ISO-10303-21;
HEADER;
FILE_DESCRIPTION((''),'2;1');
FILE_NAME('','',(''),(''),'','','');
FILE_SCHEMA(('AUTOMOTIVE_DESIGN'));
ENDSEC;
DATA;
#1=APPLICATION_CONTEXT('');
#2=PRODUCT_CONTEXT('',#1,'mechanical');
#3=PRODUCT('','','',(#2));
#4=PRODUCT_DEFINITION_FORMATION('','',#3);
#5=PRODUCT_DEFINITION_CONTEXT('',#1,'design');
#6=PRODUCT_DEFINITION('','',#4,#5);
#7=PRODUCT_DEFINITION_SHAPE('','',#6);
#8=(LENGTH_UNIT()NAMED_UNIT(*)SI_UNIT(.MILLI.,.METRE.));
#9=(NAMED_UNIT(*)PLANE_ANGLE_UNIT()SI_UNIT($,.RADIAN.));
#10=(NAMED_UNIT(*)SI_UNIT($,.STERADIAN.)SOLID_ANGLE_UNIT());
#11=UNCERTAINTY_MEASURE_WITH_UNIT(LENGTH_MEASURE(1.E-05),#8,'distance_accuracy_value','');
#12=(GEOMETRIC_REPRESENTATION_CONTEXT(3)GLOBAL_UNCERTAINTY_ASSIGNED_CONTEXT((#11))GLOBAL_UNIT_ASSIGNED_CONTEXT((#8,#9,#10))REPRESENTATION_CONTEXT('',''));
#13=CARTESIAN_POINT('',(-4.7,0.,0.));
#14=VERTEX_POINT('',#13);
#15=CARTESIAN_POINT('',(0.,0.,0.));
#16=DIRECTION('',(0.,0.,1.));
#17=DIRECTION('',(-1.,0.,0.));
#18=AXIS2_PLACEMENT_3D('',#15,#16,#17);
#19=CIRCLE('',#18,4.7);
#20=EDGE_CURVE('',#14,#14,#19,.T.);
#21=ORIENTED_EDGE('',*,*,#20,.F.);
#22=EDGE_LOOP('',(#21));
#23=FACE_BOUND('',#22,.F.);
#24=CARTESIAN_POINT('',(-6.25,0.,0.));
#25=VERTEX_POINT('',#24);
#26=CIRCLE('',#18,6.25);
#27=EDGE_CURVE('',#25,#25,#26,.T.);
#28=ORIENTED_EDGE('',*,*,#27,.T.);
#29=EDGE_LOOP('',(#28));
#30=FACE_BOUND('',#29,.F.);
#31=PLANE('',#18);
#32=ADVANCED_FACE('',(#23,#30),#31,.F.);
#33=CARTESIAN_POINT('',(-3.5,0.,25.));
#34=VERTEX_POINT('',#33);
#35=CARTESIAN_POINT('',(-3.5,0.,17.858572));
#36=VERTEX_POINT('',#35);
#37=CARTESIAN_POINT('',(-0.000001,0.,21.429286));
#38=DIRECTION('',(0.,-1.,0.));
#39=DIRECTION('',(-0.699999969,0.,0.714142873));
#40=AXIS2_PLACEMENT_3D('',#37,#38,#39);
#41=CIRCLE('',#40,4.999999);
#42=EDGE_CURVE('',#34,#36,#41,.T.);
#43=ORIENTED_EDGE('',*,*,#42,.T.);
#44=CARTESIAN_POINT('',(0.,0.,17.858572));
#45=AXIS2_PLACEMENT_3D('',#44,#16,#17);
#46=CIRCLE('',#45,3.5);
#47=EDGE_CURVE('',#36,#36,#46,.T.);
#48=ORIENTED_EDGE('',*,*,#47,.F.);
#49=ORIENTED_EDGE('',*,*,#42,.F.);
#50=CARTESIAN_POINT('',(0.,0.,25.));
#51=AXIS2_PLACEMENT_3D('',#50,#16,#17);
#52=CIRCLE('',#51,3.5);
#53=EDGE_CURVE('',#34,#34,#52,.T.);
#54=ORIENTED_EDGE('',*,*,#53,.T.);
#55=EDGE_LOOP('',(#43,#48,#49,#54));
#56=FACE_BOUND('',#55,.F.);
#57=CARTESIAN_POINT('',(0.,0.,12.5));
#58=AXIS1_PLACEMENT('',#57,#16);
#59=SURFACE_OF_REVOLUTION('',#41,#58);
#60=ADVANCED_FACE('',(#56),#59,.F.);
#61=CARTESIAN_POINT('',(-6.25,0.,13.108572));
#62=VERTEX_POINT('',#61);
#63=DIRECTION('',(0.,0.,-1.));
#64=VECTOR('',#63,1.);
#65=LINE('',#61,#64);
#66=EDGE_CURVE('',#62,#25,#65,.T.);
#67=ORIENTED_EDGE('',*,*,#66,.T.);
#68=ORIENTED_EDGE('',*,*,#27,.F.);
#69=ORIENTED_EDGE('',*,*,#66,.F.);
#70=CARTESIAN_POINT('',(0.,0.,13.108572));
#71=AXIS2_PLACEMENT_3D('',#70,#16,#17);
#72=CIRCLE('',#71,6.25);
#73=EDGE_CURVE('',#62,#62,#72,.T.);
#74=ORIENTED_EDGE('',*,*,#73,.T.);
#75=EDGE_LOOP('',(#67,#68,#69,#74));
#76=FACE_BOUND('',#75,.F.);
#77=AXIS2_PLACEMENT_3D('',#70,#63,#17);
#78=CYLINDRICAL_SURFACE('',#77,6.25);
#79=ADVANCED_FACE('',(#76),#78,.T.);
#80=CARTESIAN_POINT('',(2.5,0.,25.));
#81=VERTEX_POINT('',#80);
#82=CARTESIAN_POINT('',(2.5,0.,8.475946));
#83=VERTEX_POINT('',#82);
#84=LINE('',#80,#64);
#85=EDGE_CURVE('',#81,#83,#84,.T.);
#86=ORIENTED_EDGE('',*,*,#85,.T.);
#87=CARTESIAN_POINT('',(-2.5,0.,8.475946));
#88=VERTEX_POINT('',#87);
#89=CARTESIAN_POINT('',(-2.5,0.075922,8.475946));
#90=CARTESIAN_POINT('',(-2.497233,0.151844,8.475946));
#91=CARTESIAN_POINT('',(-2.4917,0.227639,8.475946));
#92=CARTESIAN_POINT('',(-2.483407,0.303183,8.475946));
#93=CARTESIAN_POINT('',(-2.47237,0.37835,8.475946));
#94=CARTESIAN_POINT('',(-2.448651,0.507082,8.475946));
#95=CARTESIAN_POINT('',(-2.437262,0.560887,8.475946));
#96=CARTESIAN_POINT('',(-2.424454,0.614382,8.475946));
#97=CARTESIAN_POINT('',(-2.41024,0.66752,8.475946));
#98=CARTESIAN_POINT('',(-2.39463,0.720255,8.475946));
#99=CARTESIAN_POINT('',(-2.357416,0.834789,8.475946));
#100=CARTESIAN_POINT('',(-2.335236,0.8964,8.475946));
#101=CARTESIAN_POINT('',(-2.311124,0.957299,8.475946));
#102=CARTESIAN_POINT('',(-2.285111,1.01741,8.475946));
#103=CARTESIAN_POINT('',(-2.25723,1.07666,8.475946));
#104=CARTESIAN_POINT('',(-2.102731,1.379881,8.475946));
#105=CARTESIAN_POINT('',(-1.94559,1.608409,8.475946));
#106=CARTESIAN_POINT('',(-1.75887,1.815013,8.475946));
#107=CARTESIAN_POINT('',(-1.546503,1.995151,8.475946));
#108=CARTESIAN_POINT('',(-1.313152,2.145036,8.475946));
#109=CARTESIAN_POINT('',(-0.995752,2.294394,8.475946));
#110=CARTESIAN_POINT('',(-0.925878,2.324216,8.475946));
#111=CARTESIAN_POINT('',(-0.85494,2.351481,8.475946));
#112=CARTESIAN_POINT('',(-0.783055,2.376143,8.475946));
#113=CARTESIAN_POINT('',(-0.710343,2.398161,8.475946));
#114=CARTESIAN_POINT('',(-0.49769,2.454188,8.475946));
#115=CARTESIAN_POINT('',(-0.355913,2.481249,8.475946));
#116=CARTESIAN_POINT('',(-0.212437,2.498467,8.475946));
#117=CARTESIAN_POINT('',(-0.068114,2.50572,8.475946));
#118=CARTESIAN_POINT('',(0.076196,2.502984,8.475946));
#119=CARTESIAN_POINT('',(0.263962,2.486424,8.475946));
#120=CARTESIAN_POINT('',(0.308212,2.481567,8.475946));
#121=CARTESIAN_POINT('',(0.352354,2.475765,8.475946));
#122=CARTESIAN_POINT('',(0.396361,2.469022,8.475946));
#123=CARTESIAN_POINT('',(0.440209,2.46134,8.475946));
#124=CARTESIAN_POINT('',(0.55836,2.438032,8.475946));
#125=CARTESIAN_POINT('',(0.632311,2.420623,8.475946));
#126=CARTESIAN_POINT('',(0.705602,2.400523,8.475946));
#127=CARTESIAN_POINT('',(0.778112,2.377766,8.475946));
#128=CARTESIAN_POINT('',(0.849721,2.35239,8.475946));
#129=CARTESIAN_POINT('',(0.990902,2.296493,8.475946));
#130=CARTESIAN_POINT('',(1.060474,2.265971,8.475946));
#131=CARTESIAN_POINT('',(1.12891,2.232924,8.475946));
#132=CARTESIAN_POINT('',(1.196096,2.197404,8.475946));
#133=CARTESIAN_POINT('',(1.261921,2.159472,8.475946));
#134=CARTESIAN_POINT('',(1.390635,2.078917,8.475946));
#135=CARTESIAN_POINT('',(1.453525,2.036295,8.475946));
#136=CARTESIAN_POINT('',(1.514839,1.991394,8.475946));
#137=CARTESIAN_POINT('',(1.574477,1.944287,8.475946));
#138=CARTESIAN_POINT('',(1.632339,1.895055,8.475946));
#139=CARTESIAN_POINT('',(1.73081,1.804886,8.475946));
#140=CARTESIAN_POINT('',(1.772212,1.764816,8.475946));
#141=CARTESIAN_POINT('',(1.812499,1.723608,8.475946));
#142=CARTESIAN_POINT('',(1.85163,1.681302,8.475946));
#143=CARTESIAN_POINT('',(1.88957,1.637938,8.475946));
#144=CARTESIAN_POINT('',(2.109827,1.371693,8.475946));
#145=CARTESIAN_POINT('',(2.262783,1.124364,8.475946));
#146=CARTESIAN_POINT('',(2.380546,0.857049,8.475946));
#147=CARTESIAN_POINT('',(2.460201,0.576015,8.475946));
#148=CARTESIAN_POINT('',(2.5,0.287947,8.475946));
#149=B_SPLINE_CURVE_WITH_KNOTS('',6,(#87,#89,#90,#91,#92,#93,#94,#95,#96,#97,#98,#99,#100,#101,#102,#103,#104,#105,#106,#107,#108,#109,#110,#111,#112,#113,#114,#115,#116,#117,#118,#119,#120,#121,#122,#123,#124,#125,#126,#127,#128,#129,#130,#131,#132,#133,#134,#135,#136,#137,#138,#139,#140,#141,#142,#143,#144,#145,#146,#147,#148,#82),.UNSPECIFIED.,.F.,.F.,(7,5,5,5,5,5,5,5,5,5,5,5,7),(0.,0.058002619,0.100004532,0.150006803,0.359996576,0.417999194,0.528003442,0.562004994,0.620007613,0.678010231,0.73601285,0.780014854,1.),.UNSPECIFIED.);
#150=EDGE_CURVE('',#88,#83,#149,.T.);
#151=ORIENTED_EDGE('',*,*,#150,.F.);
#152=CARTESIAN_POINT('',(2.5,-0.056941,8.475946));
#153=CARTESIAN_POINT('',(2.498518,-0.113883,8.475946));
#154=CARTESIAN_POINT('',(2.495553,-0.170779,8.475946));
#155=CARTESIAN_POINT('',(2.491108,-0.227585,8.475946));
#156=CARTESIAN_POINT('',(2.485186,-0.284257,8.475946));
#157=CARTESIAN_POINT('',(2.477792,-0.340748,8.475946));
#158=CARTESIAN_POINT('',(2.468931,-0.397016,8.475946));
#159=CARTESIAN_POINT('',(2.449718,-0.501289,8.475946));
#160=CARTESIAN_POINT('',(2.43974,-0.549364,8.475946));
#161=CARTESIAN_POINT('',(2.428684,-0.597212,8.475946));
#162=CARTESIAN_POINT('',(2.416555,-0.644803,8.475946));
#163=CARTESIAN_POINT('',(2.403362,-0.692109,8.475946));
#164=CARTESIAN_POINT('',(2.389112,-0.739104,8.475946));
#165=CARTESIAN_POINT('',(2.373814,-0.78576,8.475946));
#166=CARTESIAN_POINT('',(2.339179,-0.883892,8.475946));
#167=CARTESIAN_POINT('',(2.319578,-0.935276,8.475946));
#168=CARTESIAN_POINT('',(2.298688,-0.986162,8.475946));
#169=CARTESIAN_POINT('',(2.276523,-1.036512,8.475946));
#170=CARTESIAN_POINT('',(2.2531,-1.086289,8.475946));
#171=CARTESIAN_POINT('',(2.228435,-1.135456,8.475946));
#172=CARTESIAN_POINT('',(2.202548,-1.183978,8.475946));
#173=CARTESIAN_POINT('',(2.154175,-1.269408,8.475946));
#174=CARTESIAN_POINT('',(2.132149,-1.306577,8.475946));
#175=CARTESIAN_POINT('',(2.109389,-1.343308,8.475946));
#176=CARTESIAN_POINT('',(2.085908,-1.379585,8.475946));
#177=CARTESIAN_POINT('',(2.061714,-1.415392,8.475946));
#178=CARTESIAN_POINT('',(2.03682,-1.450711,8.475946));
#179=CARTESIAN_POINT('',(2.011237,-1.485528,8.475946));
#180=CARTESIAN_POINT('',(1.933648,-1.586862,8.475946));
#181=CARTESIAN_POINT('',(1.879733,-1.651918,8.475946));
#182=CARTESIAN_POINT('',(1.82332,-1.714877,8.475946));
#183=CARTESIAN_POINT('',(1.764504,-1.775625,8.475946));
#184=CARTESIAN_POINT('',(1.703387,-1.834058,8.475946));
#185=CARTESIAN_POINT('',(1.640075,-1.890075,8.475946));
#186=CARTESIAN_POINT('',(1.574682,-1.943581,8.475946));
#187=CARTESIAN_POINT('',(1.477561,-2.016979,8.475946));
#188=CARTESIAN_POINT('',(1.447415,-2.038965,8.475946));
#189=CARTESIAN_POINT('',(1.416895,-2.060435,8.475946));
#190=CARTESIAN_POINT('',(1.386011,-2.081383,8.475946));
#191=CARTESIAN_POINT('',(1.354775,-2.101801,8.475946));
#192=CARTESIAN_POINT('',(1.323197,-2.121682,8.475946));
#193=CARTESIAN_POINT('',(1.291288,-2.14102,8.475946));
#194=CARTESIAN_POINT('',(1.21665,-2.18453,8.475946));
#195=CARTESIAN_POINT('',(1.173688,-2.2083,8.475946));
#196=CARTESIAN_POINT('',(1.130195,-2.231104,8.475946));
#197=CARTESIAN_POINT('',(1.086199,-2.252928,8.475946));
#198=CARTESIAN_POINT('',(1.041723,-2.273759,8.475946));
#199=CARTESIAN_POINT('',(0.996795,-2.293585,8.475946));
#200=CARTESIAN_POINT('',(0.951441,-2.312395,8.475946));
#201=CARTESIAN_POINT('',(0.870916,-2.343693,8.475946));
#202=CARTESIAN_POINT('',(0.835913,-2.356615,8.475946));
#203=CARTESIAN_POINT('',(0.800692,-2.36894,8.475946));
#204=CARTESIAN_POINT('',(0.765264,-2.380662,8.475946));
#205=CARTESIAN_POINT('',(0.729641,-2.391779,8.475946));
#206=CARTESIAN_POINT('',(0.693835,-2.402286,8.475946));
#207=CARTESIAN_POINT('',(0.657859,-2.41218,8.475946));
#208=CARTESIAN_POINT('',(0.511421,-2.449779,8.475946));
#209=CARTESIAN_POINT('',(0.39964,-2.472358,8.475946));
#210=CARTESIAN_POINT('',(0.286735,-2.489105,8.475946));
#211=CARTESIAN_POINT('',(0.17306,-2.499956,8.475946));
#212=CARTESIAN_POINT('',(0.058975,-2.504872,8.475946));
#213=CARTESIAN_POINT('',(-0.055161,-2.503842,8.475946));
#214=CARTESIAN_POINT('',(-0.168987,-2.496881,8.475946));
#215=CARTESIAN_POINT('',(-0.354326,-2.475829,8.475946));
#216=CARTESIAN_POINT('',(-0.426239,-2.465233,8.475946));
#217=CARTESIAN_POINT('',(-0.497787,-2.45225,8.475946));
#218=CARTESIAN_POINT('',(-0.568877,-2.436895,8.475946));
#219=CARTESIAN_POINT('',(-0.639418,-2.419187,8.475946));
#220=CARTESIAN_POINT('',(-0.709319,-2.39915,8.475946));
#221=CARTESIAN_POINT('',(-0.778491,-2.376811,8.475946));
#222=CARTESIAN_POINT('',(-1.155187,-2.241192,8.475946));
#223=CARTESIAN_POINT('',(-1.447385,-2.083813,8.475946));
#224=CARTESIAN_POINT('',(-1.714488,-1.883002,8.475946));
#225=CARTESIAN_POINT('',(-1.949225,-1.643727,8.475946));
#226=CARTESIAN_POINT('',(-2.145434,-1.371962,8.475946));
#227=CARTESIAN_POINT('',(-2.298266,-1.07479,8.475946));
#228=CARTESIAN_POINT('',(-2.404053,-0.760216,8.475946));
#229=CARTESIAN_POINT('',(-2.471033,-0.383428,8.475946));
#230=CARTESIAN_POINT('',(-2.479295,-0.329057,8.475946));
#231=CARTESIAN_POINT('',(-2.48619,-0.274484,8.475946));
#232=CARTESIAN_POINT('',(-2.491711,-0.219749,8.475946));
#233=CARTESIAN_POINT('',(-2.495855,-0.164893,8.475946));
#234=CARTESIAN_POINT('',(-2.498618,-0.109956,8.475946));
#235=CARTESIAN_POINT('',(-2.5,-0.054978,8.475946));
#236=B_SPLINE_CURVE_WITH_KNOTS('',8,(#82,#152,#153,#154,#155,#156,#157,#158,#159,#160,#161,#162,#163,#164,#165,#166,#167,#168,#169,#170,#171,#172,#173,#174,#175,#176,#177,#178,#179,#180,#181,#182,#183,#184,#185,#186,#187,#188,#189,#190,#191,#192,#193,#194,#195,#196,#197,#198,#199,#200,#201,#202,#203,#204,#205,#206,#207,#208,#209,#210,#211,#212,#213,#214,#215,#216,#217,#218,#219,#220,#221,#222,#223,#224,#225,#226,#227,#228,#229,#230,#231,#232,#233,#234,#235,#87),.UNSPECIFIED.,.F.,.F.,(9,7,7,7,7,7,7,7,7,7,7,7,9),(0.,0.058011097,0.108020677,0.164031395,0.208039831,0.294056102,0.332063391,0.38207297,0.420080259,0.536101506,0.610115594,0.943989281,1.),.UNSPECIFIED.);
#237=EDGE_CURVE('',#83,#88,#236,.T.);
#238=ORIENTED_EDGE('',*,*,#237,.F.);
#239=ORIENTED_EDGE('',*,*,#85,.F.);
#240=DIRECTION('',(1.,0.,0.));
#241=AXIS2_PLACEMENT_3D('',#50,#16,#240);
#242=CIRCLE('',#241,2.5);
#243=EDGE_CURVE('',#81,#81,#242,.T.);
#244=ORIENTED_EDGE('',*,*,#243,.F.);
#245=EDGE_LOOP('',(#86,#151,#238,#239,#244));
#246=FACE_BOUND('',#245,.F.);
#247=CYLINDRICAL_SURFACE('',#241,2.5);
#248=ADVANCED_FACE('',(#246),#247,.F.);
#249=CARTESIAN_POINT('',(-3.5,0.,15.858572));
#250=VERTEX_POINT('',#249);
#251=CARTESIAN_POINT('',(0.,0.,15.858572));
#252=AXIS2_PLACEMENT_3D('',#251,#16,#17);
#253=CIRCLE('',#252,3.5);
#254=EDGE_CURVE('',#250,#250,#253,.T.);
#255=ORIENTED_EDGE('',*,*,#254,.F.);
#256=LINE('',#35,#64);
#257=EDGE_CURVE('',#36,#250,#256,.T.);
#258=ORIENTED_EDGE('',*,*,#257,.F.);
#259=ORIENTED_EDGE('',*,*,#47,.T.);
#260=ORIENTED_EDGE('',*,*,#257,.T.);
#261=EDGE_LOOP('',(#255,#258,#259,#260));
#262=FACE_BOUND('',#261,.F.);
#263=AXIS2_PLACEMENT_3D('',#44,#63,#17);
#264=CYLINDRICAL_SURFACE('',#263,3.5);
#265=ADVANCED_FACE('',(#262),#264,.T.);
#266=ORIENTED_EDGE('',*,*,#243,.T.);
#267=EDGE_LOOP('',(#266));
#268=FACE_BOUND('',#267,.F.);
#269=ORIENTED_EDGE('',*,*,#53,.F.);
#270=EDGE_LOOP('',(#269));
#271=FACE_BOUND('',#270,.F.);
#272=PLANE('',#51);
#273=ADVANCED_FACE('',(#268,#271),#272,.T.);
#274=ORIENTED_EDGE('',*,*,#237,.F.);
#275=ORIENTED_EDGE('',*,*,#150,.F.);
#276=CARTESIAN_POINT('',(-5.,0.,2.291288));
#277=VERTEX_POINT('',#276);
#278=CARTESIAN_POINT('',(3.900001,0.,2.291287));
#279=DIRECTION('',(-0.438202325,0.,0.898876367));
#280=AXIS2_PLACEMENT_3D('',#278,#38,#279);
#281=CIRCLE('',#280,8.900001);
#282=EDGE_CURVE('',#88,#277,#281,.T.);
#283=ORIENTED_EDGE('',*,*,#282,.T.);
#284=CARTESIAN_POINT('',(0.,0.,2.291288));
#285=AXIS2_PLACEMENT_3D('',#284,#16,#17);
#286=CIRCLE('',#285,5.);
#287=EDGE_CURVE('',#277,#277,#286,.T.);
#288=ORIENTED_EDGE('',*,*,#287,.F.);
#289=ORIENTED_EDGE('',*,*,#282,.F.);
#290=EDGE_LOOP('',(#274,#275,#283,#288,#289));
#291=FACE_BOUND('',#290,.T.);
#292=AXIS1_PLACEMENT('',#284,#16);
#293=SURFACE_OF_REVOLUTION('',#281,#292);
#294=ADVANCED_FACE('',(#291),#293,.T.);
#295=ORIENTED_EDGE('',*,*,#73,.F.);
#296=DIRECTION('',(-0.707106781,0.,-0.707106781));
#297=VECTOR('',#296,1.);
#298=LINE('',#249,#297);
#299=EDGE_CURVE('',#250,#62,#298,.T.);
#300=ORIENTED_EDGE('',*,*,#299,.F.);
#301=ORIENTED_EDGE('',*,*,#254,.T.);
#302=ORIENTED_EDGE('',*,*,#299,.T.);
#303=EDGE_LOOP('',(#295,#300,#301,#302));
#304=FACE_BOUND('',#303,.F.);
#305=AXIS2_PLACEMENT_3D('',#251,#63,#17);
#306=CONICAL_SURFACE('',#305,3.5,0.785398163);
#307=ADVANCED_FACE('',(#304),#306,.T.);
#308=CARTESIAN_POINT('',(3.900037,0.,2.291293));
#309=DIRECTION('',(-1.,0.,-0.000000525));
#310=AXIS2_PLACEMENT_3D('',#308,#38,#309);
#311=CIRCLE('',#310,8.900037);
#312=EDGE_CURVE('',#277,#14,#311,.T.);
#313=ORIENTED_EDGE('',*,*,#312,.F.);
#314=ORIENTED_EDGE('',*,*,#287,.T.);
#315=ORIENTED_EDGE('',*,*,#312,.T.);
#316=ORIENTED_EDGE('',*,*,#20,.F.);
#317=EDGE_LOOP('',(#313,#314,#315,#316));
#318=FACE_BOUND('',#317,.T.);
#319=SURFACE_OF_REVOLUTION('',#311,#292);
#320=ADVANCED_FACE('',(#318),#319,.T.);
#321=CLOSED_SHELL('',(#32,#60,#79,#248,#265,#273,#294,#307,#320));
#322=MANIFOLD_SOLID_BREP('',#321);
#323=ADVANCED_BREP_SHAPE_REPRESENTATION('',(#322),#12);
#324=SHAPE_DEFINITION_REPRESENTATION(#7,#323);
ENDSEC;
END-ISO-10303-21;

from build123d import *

# Parameters (mm, degrees)
F4_R     = 2.5
F5_DEPTH = 25.001


with BuildPart() as f1:
    # F0 (on Front) → F1 (revolve)
    with BuildSketch(Plane.XZ):
        with BuildLine():
            Line((-6.25, 13.108572), (-6.25, 0))
            Line((-6.25, 0), (0, 0))
            Line((0, 0), (0, 25))
            Line((0, 25), (-3.5, 25))
            ThreePointArc((-3.5, 25), (-5, 21.429286), (-3.5, 17.858572))
            Line((-3.5, 17.858572), (-3.5, 15.858572))
            Line((-3.5, 15.858572), (-6.25, 13.108572))
        make_face()
    revolve(axis=Axis((0, 0, 12.5), (0, 0, 1)))

    # F2 (on Front) → F3 (revolve, cut)
    with BuildSketch(Plane.XZ):
        with BuildLine():
            Line((0, 0), (0, 7.291288))
            ThreePointArc((0, 7.291288), (-3.535534, 5.826822), (-5, 2.291288))
            ThreePointArc((-5, 2.291288), (-4.859037, 1.112408), (-4.444097, 0))
            Line((-4.444097, 0), (0, 0))
        make_face()
        with BuildLine():
            ThreePointArc((-5, 2.291288), (-3.535534, 5.826822), (0, 7.291288))
            Line((0, 7.291288), (0, 10.291288))
            ThreePointArc((0, 10.291288), (-3.647185, 7.008278), (-5, 2.291288))
        make_face()
        with BuildLine():
            ThreePointArc((-4.444097, 0), (-4.859037, 1.112408), (-5, 2.291288))
            ThreePointArc((-5, 2.291288), (-4.924681, 1.135866), (-4.7, 0))
            Line((-4.7, 0), (-4.444097, 0))
        make_face()
    revolve(axis=Axis((0, 0, 2.291288), (0, 0, 1)), mode=Mode.SUBTRACT)

    # F4 (on face) → F5 (cut, through all)
    with BuildSketch(Plane.XY.offset(25)):
        Circle(F4_R)
    extrude(amount=-F5_DEPTH, mode=Mode.SUBTRACT)


solid = f1.part
